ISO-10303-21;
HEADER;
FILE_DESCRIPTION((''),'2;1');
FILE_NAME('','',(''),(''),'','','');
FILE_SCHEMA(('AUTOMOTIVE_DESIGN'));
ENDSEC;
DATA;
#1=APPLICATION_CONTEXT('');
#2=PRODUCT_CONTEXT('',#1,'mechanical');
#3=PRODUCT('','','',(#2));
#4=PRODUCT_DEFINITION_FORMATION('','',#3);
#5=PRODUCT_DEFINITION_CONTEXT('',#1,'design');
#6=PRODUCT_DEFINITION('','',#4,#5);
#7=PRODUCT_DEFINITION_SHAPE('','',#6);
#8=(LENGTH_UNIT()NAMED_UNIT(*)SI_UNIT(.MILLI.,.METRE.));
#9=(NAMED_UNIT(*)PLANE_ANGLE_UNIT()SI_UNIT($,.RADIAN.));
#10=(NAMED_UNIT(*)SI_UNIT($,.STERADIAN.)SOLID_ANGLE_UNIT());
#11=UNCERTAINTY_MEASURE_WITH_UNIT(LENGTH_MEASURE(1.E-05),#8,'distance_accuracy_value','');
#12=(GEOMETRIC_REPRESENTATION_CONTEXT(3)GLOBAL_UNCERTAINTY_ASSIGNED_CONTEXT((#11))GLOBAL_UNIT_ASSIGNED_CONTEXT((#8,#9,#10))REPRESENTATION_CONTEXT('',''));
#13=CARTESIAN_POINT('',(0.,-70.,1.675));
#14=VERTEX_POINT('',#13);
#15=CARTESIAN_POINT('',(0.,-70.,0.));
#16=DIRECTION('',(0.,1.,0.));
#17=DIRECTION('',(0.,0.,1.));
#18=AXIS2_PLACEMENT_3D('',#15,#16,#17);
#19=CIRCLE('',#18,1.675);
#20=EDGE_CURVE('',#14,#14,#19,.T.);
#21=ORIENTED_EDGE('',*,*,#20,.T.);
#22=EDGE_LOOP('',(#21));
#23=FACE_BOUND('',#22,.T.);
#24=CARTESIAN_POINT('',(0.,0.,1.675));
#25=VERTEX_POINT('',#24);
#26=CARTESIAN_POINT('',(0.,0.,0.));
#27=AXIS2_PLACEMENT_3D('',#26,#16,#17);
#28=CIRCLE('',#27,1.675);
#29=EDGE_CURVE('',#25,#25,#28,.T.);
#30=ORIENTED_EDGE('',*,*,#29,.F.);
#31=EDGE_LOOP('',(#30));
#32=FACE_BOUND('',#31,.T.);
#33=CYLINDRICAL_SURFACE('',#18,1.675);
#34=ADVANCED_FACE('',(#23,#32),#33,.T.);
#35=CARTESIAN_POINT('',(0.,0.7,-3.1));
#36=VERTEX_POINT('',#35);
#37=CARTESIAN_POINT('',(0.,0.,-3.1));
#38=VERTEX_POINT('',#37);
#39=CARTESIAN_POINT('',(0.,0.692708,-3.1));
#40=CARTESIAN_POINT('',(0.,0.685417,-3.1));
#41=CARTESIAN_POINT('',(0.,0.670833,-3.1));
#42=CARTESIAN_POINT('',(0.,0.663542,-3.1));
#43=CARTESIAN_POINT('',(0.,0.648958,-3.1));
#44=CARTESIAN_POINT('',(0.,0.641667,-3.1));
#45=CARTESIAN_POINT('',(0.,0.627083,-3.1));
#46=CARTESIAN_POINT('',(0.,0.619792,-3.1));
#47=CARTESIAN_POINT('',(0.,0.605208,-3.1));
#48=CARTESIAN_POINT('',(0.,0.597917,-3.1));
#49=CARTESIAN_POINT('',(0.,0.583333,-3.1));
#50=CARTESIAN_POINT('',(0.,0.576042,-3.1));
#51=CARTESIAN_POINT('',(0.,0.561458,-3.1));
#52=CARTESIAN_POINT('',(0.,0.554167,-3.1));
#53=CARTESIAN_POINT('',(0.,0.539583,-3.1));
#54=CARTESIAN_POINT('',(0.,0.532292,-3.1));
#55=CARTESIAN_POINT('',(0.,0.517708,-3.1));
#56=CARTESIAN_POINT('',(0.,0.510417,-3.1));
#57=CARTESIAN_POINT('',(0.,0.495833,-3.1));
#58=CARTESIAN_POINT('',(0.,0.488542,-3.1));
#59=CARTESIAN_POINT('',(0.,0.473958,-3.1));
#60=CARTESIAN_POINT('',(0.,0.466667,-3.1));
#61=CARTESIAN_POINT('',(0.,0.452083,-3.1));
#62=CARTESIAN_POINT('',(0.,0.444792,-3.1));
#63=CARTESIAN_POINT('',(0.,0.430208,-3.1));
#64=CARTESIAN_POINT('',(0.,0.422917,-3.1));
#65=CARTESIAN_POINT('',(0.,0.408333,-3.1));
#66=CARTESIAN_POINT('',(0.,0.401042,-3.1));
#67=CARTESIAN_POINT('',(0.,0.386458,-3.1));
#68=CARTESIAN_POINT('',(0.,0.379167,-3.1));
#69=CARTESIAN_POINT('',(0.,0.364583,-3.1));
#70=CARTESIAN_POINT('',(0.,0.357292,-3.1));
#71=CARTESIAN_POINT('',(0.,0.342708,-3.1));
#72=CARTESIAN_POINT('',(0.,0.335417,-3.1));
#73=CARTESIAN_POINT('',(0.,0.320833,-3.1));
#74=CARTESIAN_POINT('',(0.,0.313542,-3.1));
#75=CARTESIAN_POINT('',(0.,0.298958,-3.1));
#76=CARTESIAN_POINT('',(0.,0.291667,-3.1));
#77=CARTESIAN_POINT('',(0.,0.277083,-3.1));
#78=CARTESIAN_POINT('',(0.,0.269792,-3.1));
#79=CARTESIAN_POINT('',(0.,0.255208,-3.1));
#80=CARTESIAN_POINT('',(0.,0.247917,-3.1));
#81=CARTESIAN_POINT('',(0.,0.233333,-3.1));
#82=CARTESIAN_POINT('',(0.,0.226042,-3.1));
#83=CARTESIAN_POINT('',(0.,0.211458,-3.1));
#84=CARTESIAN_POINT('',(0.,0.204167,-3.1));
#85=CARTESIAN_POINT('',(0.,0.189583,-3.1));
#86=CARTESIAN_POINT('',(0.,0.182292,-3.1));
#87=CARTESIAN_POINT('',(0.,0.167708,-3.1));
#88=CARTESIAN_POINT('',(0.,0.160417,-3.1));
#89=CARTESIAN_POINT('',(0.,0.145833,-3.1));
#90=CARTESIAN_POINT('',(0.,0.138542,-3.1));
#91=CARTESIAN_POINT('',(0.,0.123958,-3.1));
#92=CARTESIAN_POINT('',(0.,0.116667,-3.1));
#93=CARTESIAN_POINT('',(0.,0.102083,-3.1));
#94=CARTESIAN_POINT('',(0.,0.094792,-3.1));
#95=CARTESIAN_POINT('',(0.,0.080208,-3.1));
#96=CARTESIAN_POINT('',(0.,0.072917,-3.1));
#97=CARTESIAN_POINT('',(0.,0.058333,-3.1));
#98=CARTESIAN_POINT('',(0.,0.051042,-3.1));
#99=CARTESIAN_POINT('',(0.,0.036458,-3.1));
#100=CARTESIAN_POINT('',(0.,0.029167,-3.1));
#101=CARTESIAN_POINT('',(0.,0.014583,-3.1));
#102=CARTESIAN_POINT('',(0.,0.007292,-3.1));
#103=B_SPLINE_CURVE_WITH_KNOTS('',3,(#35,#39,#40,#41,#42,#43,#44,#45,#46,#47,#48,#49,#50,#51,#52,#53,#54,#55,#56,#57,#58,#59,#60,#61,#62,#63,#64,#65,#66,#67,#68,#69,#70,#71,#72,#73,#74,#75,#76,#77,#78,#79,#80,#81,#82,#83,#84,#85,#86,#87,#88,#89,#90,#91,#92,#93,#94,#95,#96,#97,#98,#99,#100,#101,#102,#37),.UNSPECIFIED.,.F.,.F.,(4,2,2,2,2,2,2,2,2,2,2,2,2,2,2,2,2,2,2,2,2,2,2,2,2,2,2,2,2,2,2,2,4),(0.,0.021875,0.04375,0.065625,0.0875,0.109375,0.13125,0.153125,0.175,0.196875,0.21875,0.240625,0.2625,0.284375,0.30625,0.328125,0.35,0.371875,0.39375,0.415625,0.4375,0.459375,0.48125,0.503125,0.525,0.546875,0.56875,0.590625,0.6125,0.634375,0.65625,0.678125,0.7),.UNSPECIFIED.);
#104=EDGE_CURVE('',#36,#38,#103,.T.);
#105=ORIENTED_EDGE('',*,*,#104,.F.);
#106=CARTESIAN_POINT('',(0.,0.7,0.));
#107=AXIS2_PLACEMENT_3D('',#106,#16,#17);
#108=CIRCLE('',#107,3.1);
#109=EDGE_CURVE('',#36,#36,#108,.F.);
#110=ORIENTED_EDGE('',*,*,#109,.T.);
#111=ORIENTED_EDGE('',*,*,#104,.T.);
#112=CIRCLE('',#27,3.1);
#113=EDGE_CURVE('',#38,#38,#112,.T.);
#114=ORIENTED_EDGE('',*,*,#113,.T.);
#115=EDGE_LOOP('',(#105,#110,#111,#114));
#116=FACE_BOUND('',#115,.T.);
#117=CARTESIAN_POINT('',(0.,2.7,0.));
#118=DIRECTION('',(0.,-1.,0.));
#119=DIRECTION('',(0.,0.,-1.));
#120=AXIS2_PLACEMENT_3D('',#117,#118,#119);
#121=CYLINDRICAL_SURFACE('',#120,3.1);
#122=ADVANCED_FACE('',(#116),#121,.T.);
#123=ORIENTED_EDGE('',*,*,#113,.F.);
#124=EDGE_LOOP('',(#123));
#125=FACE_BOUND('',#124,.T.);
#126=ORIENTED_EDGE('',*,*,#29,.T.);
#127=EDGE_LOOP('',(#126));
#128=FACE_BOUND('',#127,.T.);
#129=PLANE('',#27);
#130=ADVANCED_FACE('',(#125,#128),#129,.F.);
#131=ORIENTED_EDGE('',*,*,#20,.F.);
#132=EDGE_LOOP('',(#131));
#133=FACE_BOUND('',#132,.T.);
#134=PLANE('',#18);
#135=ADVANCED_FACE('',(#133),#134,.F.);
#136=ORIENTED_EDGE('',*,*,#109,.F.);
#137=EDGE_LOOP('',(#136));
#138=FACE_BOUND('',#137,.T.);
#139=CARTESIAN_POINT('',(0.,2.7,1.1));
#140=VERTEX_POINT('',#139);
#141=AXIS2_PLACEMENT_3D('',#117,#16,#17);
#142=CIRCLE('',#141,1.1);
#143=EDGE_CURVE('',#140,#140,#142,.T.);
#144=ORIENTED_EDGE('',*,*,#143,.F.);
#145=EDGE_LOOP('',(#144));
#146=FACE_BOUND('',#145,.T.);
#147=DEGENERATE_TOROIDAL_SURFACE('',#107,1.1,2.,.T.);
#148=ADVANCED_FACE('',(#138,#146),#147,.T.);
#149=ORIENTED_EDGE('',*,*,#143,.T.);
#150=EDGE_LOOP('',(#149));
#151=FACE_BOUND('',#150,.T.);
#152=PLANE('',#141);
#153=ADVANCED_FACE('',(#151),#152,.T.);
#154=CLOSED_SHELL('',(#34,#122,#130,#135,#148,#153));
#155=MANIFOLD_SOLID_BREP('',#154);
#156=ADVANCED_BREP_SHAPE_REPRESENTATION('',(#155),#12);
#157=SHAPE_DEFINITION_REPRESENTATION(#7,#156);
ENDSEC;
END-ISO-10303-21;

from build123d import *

# Parameters (mm, degrees)
CROQUIS1_R              = 1.675
SALIENTE_EXTRUIR1_DEPTH = 70
CROQUIS2_R              = 3.1
SALIENTE_EXTRUIR2_DEPTH = 2.7
REDONDEO1_R             = 2


with BuildPart() as part:
    # Croquis1 → Saliente-Extruir1 (new body)
    with BuildSketch(Plane(origin=(0, 0, 0), x_dir=(1, 0, 0), z_dir=(0, 1, 0))):
        with Locations(Location((0, 0, 0), (0, 0, 270))):
            Circle(CROQUIS1_R)
    extrude(amount=-SALIENTE_EXTRUIR1_DEPTH)

    # Croquis2 → Saliente-Extruir2 (add)
    with BuildSketch(Plane(origin=(0, 0, 0), x_dir=(1, 0, 0), z_dir=(0, 1, 0))):
        with Locations(Location((0, 0, 0), (0, 0, 90))):
            Circle(CROQUIS2_R)
    extrude(amount=SALIENTE_EXTRUIR2_DEPTH)

    # Redondeo1
    redondeo1_edges = [part.edges().sort_by_distance(p)[0] for p in [
        (0, 2.7, 3.1),
    ]]
    fillet(redondeo1_edges, radius=REDONDEO1_R)


solid = part.part
